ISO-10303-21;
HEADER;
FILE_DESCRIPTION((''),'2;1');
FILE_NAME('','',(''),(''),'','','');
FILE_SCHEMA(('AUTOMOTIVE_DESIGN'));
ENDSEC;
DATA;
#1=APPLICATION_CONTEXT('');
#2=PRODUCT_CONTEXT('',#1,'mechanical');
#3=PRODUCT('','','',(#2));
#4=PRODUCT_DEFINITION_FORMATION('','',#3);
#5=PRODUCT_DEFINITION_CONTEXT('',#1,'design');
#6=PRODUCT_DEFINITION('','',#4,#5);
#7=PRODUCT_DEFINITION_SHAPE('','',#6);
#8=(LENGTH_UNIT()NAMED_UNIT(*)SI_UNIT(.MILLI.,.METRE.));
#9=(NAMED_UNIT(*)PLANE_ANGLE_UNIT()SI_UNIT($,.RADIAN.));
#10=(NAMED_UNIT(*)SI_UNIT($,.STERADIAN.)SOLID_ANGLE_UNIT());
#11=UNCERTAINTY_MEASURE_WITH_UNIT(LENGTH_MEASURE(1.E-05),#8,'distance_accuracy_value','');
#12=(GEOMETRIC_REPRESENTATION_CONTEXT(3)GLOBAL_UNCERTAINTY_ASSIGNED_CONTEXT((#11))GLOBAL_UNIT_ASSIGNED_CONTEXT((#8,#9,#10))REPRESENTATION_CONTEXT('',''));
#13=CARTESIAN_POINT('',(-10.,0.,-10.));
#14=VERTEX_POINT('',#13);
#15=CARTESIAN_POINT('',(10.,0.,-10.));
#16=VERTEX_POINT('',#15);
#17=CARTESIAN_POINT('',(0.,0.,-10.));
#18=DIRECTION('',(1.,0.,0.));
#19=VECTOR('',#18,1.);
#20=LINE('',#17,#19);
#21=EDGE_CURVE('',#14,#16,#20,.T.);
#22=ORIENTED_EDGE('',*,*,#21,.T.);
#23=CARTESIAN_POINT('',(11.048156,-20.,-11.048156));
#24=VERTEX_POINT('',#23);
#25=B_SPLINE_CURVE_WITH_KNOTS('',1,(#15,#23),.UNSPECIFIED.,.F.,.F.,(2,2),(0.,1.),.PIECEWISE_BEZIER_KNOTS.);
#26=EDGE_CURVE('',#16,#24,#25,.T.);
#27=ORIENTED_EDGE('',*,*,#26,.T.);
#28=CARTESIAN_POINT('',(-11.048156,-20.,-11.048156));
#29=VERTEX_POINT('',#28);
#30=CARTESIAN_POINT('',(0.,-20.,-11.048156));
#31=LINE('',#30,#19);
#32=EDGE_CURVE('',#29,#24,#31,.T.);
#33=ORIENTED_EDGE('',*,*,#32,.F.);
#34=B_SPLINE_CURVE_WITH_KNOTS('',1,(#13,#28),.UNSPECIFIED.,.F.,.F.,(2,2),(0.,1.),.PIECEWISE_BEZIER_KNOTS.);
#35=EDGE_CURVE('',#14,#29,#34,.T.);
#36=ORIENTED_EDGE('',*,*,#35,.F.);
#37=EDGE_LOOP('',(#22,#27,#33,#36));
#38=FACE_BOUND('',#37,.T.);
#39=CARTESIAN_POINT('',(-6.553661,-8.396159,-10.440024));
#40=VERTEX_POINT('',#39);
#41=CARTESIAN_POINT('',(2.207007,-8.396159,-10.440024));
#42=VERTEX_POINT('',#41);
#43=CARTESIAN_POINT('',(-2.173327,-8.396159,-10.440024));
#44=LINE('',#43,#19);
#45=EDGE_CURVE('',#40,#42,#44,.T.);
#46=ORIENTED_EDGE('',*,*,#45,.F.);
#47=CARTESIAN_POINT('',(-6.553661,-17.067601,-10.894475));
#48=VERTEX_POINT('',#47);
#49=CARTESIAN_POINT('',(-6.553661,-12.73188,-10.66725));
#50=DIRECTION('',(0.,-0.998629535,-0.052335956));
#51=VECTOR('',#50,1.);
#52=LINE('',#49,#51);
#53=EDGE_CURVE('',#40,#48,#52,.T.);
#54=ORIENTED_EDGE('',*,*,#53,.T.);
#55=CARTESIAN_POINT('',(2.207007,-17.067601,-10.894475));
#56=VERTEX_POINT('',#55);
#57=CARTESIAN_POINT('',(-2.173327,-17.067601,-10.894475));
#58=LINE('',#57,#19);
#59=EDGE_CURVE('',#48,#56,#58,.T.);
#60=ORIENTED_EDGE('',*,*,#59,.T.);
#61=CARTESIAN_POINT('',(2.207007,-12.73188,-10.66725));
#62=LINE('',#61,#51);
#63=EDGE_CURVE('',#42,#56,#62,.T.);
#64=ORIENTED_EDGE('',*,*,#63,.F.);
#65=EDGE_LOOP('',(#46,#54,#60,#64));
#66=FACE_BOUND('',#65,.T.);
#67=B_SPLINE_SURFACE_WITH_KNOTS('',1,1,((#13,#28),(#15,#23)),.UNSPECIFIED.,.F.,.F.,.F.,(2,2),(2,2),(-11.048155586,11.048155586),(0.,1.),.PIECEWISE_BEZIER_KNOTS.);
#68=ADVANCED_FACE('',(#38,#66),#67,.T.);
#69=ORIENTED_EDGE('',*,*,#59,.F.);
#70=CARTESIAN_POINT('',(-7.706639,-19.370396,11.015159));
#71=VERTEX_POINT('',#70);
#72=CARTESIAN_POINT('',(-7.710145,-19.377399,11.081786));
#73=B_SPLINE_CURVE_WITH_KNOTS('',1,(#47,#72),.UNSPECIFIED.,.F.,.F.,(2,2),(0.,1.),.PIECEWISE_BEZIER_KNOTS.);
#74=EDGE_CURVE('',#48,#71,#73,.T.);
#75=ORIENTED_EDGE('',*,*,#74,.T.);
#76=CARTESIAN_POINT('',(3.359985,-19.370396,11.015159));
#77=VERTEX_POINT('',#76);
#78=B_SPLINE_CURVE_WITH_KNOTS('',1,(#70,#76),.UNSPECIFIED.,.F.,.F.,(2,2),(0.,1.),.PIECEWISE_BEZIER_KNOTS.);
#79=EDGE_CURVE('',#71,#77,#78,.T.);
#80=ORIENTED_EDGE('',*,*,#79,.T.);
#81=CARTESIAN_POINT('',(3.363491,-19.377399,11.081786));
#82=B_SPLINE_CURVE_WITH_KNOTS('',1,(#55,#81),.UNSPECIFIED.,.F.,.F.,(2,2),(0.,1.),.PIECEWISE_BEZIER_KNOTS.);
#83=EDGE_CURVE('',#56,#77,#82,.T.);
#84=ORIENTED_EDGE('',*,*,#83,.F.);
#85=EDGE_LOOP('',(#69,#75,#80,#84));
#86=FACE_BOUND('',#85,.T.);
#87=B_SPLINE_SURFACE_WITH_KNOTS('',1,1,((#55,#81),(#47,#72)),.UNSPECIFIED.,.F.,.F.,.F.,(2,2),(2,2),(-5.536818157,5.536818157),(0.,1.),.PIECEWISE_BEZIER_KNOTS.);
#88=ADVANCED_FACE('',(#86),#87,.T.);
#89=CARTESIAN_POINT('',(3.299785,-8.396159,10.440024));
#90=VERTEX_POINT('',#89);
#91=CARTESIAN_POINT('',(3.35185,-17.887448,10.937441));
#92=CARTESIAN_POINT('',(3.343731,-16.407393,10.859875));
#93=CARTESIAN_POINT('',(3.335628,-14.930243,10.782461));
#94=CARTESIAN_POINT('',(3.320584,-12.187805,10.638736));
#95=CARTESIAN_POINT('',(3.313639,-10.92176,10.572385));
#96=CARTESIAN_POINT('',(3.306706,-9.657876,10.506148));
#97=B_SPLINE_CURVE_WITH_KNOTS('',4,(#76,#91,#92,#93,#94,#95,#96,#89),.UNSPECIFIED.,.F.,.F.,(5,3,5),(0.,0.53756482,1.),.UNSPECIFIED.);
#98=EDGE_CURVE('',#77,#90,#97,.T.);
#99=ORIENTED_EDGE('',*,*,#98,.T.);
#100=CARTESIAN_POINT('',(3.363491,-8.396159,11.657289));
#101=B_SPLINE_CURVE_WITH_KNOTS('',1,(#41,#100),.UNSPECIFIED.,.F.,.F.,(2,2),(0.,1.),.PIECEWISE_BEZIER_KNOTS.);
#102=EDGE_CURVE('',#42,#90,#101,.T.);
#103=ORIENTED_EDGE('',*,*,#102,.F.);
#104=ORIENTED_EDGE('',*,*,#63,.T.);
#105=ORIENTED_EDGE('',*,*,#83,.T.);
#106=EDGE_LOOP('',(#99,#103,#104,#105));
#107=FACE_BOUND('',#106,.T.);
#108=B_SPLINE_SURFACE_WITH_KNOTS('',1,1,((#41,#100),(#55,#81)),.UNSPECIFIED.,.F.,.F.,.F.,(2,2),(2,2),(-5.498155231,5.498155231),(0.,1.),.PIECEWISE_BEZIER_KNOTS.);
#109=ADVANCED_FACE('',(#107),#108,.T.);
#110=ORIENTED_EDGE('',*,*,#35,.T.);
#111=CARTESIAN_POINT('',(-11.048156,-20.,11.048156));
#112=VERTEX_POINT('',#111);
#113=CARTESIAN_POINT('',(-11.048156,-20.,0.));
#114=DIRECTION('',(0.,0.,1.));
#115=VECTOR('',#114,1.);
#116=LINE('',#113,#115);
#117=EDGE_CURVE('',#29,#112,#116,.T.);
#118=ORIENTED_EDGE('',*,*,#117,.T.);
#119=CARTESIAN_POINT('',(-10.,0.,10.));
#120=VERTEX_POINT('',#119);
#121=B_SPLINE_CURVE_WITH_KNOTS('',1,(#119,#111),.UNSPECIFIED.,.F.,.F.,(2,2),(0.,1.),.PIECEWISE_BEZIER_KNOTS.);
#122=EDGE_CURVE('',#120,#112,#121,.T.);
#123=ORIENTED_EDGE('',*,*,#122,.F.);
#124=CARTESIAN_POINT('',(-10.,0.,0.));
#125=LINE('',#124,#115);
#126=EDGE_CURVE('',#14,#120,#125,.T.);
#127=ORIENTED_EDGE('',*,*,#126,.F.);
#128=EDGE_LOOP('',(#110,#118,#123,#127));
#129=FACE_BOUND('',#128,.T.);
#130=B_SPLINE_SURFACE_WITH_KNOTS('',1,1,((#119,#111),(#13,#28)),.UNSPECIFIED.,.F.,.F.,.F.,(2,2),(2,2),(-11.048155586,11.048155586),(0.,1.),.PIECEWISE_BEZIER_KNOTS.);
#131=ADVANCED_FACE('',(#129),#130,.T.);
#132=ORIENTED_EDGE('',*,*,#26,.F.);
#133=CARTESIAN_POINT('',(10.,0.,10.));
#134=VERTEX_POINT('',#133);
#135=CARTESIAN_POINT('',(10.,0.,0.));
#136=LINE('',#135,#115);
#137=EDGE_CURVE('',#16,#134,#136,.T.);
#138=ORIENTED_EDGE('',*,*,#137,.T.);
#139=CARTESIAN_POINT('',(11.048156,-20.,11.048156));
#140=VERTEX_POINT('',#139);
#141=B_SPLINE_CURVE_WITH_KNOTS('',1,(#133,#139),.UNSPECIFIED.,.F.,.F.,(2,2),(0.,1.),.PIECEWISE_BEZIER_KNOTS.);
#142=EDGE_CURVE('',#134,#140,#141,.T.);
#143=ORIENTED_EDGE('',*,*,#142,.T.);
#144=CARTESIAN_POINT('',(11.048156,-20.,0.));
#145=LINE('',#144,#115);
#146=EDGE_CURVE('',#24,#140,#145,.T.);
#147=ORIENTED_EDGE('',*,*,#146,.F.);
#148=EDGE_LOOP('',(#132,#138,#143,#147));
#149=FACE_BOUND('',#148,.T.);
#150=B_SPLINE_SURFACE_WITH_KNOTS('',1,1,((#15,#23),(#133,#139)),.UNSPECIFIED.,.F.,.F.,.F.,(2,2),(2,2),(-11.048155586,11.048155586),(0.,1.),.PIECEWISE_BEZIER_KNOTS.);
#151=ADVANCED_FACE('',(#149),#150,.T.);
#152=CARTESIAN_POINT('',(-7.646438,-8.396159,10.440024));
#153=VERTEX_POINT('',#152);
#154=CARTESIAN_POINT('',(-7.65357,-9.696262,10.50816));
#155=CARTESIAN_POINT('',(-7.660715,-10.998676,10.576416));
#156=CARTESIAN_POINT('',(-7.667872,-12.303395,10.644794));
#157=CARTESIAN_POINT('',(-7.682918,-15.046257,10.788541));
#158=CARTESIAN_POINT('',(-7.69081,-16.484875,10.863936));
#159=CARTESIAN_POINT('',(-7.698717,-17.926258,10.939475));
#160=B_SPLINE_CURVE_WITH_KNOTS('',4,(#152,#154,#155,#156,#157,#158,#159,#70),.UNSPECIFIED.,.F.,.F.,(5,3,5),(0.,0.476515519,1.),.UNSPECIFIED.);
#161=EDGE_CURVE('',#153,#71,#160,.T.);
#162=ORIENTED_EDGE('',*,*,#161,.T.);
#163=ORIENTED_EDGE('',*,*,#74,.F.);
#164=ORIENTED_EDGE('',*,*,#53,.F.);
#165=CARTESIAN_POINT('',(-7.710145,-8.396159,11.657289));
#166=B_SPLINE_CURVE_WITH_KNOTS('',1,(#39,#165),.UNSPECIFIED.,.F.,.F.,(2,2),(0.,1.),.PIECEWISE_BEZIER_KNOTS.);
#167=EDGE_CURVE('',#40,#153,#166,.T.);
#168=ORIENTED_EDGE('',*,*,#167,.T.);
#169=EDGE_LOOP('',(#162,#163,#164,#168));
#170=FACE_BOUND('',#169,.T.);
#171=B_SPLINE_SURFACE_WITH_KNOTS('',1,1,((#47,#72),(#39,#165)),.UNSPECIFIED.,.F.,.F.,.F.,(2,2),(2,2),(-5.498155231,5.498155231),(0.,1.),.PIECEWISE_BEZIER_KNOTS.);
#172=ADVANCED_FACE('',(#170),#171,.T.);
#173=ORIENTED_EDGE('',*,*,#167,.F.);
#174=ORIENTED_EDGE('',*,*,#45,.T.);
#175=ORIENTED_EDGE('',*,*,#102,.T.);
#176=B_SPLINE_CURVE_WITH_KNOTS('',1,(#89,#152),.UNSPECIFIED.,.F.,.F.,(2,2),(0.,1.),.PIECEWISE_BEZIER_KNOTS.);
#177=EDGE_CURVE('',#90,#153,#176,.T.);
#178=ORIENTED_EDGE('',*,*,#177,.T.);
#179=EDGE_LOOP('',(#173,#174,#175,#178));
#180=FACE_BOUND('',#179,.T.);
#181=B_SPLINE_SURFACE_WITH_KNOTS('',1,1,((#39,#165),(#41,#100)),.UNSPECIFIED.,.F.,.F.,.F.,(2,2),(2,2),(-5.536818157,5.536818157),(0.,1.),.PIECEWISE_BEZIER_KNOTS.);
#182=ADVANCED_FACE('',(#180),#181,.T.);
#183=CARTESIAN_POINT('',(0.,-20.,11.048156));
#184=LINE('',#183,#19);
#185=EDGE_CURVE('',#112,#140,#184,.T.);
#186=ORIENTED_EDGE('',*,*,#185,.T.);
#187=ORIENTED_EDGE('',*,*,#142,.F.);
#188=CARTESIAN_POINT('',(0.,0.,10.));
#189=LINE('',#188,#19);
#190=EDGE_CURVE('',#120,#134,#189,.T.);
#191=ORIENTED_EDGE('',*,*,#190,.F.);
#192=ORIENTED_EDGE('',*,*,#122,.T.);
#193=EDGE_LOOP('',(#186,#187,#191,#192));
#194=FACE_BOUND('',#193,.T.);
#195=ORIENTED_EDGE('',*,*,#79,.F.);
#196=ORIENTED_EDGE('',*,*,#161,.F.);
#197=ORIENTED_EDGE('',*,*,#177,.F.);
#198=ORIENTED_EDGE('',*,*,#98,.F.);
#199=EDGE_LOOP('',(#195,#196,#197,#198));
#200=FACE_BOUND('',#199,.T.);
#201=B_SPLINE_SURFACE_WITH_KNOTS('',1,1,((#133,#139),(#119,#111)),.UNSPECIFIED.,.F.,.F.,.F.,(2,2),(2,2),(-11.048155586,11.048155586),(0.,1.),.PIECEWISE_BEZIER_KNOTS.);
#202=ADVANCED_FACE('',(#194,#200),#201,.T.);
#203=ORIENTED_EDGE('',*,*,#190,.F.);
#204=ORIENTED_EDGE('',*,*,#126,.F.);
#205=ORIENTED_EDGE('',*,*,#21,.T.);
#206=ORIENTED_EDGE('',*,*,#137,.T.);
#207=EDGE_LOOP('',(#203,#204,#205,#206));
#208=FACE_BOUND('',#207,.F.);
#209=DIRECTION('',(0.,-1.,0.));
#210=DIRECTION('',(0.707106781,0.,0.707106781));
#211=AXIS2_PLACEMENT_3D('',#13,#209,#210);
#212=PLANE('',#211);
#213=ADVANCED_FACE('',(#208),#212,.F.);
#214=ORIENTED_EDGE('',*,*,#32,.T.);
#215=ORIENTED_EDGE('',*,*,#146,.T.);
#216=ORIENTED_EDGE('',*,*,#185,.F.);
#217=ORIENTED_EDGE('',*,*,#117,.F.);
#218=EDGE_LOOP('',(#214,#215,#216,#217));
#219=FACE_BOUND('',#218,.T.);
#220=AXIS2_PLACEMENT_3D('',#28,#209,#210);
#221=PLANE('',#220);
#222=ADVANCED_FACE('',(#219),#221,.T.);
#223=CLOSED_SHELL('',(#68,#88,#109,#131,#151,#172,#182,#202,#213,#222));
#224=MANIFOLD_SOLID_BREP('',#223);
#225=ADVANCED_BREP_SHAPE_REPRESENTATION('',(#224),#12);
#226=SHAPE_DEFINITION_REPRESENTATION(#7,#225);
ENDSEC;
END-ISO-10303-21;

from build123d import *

# Parameters (mm, degrees)
F0_W     = 20
F0_H     = 20
F1_DEPTH = 20
F1_TAPER = -3
F2_W     = 8.7606683373
F2_H     = 8.6833424866
F3_DEPTH = 22.0670290499
F3_TAPER = -3


with BuildPart() as f1:
    # F0 (on Front) → F1 (new body)
    with BuildSketch(Plane.XZ):
        Rectangle(F0_W, F0_H)
    extrude(amount=F1_DEPTH, taper=F1_TAPER)

    # F2 (on face) → F3 (cut, through all)
    with BuildSketch(Plane(origin=(0, 0.5226423163, -9.9726094768), x_dir=(1, 0, 0), z_dir=(0, 0.0523359562, -0.9986295348))):
        with Locations((-2.1733269095, 13.2727120072)):
            Rectangle(F2_W, F2_H)
    extrude(amount=-F3_DEPTH, taper=F3_TAPER, mode=Mode.SUBTRACT)


solid = f1.part
